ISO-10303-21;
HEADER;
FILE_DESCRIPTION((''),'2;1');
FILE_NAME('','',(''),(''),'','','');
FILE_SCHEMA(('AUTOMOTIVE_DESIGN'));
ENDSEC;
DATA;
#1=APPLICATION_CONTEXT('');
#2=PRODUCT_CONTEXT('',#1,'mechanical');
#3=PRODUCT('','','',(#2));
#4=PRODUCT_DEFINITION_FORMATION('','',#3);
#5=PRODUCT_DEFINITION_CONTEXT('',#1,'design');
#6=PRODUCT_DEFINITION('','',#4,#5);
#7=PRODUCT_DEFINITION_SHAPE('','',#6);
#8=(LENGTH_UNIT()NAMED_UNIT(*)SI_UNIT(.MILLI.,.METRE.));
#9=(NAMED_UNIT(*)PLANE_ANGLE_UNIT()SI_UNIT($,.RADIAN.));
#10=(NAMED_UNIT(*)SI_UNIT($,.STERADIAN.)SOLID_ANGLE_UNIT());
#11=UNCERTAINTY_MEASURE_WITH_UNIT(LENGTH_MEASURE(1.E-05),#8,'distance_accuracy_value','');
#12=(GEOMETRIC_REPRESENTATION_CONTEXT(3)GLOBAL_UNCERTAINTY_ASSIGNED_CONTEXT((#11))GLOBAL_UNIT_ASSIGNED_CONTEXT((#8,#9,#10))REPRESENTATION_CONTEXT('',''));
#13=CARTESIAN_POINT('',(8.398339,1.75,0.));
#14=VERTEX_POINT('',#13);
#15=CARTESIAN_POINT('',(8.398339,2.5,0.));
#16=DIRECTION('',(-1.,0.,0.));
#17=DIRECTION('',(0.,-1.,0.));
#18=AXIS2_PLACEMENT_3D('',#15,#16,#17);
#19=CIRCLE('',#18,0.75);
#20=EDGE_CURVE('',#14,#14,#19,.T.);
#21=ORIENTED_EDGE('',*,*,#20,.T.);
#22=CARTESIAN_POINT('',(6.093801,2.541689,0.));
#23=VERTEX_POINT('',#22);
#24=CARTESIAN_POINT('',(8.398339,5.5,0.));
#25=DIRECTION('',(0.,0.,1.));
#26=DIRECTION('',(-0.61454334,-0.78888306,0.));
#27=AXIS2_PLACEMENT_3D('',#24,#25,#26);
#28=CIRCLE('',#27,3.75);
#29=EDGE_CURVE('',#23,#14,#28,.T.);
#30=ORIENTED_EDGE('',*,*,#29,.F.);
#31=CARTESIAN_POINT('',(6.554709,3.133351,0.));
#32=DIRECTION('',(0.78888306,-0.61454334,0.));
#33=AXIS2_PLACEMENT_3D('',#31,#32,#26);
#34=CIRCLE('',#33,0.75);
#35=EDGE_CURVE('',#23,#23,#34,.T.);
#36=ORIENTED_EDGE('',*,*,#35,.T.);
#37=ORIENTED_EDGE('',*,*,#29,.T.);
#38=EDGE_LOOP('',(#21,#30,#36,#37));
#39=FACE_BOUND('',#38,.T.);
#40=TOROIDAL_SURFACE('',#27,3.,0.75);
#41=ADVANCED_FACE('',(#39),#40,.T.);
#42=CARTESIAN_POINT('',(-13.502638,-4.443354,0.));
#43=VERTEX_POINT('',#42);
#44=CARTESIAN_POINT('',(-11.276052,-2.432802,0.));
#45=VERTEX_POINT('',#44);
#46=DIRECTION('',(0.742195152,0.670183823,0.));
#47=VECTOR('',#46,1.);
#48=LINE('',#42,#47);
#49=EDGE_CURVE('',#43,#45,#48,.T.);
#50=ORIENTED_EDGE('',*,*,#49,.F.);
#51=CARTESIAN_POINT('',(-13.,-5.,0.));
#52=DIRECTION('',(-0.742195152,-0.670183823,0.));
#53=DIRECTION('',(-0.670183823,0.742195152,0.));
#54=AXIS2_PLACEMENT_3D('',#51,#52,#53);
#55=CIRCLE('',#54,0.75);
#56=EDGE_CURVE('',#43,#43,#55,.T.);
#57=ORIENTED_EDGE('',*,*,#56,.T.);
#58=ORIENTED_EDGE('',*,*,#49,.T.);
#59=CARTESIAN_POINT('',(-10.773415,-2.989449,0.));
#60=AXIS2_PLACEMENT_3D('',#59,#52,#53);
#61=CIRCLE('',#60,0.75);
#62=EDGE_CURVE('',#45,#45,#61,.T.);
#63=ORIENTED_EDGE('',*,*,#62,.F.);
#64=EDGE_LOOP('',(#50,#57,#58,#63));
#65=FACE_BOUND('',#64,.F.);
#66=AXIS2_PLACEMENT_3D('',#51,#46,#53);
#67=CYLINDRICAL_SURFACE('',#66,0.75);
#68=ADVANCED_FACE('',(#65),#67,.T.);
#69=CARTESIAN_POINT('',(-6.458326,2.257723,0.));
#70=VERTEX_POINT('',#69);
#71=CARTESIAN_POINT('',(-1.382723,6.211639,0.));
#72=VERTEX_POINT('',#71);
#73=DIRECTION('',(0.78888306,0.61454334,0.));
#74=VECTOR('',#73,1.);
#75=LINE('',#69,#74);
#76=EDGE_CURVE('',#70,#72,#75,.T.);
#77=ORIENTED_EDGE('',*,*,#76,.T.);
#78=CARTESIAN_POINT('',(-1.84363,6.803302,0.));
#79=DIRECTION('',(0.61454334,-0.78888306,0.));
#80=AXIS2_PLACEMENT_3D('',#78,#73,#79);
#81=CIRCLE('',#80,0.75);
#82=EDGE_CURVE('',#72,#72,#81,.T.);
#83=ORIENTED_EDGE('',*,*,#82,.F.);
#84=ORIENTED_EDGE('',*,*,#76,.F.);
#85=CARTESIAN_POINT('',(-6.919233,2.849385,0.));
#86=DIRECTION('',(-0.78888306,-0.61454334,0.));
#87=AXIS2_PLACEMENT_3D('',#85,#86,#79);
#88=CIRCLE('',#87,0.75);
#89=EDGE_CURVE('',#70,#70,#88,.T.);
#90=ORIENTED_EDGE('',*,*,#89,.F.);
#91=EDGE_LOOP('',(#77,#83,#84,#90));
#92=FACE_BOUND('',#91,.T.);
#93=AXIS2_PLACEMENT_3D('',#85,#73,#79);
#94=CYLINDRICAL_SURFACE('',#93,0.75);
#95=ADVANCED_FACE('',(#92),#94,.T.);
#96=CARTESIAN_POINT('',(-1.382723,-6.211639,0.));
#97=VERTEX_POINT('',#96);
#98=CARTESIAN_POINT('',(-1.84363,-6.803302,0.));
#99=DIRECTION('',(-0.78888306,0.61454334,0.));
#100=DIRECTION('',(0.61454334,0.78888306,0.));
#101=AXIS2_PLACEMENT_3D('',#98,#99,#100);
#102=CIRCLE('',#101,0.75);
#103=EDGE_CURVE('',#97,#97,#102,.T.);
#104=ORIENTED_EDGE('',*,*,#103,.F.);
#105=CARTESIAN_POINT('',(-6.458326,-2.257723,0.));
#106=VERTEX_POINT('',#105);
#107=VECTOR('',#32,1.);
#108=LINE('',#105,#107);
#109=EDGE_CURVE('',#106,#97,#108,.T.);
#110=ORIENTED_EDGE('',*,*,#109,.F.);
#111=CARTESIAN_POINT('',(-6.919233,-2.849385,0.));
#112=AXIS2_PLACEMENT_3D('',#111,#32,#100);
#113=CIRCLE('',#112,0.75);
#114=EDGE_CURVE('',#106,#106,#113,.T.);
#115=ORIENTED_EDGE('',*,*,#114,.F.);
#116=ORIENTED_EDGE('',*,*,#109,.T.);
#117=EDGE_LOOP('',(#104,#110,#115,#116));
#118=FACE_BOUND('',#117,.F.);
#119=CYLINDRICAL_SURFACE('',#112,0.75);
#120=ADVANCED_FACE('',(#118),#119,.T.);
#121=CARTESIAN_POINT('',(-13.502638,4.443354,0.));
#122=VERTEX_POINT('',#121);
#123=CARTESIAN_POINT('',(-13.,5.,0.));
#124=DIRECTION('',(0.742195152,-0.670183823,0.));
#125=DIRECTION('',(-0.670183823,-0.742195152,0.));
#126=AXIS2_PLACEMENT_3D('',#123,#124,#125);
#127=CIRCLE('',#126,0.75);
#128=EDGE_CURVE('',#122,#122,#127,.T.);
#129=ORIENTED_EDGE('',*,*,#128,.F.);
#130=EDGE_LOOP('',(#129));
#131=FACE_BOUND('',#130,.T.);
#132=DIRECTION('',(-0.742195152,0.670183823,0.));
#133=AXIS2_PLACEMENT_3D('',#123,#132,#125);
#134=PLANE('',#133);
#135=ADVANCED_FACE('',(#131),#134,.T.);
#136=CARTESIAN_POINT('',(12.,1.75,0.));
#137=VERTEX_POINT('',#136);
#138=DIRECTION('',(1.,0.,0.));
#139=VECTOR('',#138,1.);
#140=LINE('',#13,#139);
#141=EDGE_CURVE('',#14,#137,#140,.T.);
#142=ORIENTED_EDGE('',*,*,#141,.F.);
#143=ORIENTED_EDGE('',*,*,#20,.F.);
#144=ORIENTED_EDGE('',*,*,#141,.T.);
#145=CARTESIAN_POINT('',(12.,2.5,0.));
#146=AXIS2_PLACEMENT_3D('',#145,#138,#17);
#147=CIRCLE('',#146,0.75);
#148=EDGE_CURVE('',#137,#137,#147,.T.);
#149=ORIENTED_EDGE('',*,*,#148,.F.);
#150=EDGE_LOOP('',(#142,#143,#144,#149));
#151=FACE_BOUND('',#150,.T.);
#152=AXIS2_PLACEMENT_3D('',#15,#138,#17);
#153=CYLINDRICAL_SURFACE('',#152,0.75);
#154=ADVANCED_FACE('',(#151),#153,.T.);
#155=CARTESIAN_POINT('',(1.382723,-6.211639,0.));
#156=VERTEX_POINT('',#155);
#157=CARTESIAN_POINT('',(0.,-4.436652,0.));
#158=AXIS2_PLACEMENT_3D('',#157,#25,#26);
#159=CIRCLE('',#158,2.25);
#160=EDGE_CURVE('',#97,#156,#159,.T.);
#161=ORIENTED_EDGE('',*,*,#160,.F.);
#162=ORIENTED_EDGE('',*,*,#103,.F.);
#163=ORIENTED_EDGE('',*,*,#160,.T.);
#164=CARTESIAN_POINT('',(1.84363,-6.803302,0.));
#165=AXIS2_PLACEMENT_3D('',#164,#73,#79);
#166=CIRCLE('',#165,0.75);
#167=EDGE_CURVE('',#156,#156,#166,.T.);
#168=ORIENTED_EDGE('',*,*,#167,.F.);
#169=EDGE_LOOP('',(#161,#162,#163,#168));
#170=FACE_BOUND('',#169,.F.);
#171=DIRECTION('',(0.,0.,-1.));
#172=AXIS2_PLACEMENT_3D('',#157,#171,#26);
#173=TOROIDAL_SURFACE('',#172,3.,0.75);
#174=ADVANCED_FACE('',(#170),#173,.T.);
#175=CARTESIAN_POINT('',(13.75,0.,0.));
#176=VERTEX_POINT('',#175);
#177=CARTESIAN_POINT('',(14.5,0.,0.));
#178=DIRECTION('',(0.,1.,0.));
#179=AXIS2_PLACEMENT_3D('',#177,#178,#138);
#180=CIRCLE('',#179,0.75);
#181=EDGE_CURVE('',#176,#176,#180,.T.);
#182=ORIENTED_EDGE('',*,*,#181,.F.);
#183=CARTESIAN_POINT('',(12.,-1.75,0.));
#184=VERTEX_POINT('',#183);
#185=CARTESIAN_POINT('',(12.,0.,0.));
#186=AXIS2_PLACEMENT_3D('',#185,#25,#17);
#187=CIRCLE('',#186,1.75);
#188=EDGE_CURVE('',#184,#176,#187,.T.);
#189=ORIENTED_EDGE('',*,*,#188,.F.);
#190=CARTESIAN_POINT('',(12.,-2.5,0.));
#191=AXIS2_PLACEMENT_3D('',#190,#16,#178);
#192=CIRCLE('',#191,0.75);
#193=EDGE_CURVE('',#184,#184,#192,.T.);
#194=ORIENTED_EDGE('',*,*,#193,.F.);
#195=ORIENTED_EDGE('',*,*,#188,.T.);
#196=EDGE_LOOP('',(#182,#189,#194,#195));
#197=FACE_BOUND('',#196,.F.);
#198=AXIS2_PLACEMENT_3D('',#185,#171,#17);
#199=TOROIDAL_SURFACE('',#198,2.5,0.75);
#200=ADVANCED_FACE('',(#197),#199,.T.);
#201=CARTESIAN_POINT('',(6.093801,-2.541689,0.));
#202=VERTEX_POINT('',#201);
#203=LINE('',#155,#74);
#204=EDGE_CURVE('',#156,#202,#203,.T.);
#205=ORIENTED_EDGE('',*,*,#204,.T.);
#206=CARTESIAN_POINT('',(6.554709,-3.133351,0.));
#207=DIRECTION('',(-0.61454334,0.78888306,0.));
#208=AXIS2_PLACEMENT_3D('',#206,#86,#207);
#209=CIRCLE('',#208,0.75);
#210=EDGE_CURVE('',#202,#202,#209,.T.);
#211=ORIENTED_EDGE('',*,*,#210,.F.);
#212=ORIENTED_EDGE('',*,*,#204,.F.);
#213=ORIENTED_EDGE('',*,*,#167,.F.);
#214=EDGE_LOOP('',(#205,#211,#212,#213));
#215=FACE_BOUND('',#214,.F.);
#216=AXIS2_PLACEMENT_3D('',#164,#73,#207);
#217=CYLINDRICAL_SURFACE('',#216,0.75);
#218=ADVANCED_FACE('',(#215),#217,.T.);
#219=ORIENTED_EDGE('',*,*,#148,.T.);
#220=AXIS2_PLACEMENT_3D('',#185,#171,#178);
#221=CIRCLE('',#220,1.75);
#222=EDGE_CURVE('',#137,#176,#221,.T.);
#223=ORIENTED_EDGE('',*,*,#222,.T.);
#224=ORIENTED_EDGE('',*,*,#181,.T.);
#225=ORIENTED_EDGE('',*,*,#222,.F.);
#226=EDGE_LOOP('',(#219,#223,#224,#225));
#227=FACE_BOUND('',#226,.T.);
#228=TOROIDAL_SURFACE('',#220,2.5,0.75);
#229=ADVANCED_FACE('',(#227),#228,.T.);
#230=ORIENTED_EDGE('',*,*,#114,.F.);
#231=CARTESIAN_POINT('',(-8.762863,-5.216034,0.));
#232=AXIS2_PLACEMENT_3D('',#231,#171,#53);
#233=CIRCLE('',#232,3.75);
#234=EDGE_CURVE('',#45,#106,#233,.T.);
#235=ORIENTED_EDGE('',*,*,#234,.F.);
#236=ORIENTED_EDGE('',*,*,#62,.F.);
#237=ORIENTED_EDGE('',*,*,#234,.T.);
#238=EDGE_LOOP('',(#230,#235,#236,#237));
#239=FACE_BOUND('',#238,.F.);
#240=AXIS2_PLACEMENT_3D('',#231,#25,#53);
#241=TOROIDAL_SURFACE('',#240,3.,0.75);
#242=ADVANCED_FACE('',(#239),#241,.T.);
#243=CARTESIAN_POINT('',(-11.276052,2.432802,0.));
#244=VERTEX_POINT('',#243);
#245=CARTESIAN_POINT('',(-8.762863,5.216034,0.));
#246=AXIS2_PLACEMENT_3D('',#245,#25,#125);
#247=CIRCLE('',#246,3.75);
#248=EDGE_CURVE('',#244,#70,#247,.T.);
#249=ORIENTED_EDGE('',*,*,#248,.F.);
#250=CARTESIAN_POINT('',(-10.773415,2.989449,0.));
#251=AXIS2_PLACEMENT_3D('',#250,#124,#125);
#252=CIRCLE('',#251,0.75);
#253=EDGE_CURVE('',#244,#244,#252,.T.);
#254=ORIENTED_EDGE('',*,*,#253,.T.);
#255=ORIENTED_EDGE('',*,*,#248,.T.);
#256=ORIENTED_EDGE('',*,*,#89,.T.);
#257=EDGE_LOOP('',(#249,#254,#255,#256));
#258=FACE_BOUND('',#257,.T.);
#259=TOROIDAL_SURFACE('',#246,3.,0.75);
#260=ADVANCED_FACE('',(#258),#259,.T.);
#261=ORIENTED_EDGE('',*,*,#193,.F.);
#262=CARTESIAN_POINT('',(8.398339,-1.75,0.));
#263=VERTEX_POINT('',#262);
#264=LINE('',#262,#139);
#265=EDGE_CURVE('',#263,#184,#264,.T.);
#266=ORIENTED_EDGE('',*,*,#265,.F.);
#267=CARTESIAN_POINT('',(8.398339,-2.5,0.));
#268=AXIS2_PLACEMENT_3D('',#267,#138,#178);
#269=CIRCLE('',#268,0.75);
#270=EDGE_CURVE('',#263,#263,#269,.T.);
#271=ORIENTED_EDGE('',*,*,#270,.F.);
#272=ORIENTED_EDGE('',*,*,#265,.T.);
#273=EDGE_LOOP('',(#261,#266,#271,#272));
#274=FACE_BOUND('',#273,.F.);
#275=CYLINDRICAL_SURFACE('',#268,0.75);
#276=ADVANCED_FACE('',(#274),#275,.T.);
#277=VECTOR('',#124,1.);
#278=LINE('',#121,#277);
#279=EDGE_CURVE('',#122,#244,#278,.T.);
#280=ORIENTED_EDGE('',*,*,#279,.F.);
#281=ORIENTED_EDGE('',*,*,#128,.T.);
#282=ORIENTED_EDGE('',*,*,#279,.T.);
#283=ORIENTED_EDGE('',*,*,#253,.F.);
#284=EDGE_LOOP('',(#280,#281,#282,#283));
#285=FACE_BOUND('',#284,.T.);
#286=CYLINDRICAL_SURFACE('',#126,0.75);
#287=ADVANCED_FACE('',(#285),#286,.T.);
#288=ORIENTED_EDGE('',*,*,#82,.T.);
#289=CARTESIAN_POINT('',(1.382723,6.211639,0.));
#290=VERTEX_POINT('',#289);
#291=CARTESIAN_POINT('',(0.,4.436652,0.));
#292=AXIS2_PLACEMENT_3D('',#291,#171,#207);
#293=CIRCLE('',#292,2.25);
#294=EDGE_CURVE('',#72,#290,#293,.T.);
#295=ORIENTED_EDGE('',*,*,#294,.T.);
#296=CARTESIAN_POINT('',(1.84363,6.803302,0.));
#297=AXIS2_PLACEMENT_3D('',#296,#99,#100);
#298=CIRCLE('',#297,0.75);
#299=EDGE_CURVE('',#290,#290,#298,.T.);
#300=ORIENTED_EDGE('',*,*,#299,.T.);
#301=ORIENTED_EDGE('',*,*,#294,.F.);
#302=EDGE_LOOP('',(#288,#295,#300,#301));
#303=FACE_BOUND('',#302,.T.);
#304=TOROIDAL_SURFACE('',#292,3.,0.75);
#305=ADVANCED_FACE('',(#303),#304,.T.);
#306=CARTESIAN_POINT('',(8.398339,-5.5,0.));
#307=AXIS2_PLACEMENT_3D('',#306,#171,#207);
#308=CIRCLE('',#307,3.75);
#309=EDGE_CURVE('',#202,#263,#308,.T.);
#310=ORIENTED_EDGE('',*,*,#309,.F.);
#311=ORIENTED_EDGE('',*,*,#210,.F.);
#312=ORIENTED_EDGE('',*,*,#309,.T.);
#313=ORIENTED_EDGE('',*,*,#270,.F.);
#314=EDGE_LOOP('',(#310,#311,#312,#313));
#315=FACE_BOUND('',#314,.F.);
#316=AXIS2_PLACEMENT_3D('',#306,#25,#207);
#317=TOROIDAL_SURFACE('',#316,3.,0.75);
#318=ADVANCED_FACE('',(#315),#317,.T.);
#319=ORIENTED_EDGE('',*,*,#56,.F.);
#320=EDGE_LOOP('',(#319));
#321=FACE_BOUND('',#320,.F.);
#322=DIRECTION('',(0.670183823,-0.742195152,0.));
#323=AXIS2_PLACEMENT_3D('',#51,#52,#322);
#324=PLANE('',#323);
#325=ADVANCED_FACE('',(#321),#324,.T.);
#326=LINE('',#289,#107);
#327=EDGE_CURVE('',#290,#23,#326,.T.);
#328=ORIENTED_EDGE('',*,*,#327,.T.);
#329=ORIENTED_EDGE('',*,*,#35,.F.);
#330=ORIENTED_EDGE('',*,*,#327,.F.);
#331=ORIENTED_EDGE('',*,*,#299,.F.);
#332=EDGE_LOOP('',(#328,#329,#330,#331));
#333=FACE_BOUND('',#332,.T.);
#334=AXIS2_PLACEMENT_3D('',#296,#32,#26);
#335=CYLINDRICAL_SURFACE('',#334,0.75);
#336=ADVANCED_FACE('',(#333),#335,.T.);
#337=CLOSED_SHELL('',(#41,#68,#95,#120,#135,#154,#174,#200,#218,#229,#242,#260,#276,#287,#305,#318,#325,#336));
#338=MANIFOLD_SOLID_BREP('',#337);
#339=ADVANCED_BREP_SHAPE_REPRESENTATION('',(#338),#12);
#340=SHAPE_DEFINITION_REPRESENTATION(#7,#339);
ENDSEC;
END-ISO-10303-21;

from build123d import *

# Parameters (mm, degrees)
SKETCH001_R = 0.75


with BuildPart() as part:
    # AdditivePipe: sweep along a path in Sketch
    with BuildLine(Plane.XY) as additivepipe_path:
        Line((-13, 5), (-10.7734145441, 2.9894485314))
        ThreePointArc((-10.7734145441, 2.9894485314), (-8.8718133128, 2.2180129991), (-6.9192330545, 2.8493848064))
        Line((-6.9192330545, 2.8493848064), (-1.843630021, 6.8033016788))
        ThreePointArc((-1.843630021, 6.8033016788), (0, 7.4366524978), (1.843630021, 6.8033016788))
        Line((1.843630021, 6.8033016788), (6.5547087607, 3.1333508191))
        ThreePointArc((6.5547087607, 3.1333508191), (7.4236458924, 2.6627524304), (8.3983387818, 2.5))
        Line((8.3983387818, 2.5), (12, 2.5))
        ThreePointArc((12, 2.5), (13.767766953, 1.767766953), (14.5, 0))
    # Sketch001 (on DatumPlane) → AdditivePipe (sweep)
    with BuildSketch(Plane(origin=(-13, 5, 0), x_dir=(-0.6701838229, -0.742195152, 0), z_dir=(-0.742195152, 0.6701838229, 0))):
        Circle(SKETCH001_R)
    additivepipe = sweep(path=additivepipe_path.line)

    # Mirrored: AdditivePipe across XZ
    add(additivepipe.mirror(Plane.XZ))


solid = part.part
